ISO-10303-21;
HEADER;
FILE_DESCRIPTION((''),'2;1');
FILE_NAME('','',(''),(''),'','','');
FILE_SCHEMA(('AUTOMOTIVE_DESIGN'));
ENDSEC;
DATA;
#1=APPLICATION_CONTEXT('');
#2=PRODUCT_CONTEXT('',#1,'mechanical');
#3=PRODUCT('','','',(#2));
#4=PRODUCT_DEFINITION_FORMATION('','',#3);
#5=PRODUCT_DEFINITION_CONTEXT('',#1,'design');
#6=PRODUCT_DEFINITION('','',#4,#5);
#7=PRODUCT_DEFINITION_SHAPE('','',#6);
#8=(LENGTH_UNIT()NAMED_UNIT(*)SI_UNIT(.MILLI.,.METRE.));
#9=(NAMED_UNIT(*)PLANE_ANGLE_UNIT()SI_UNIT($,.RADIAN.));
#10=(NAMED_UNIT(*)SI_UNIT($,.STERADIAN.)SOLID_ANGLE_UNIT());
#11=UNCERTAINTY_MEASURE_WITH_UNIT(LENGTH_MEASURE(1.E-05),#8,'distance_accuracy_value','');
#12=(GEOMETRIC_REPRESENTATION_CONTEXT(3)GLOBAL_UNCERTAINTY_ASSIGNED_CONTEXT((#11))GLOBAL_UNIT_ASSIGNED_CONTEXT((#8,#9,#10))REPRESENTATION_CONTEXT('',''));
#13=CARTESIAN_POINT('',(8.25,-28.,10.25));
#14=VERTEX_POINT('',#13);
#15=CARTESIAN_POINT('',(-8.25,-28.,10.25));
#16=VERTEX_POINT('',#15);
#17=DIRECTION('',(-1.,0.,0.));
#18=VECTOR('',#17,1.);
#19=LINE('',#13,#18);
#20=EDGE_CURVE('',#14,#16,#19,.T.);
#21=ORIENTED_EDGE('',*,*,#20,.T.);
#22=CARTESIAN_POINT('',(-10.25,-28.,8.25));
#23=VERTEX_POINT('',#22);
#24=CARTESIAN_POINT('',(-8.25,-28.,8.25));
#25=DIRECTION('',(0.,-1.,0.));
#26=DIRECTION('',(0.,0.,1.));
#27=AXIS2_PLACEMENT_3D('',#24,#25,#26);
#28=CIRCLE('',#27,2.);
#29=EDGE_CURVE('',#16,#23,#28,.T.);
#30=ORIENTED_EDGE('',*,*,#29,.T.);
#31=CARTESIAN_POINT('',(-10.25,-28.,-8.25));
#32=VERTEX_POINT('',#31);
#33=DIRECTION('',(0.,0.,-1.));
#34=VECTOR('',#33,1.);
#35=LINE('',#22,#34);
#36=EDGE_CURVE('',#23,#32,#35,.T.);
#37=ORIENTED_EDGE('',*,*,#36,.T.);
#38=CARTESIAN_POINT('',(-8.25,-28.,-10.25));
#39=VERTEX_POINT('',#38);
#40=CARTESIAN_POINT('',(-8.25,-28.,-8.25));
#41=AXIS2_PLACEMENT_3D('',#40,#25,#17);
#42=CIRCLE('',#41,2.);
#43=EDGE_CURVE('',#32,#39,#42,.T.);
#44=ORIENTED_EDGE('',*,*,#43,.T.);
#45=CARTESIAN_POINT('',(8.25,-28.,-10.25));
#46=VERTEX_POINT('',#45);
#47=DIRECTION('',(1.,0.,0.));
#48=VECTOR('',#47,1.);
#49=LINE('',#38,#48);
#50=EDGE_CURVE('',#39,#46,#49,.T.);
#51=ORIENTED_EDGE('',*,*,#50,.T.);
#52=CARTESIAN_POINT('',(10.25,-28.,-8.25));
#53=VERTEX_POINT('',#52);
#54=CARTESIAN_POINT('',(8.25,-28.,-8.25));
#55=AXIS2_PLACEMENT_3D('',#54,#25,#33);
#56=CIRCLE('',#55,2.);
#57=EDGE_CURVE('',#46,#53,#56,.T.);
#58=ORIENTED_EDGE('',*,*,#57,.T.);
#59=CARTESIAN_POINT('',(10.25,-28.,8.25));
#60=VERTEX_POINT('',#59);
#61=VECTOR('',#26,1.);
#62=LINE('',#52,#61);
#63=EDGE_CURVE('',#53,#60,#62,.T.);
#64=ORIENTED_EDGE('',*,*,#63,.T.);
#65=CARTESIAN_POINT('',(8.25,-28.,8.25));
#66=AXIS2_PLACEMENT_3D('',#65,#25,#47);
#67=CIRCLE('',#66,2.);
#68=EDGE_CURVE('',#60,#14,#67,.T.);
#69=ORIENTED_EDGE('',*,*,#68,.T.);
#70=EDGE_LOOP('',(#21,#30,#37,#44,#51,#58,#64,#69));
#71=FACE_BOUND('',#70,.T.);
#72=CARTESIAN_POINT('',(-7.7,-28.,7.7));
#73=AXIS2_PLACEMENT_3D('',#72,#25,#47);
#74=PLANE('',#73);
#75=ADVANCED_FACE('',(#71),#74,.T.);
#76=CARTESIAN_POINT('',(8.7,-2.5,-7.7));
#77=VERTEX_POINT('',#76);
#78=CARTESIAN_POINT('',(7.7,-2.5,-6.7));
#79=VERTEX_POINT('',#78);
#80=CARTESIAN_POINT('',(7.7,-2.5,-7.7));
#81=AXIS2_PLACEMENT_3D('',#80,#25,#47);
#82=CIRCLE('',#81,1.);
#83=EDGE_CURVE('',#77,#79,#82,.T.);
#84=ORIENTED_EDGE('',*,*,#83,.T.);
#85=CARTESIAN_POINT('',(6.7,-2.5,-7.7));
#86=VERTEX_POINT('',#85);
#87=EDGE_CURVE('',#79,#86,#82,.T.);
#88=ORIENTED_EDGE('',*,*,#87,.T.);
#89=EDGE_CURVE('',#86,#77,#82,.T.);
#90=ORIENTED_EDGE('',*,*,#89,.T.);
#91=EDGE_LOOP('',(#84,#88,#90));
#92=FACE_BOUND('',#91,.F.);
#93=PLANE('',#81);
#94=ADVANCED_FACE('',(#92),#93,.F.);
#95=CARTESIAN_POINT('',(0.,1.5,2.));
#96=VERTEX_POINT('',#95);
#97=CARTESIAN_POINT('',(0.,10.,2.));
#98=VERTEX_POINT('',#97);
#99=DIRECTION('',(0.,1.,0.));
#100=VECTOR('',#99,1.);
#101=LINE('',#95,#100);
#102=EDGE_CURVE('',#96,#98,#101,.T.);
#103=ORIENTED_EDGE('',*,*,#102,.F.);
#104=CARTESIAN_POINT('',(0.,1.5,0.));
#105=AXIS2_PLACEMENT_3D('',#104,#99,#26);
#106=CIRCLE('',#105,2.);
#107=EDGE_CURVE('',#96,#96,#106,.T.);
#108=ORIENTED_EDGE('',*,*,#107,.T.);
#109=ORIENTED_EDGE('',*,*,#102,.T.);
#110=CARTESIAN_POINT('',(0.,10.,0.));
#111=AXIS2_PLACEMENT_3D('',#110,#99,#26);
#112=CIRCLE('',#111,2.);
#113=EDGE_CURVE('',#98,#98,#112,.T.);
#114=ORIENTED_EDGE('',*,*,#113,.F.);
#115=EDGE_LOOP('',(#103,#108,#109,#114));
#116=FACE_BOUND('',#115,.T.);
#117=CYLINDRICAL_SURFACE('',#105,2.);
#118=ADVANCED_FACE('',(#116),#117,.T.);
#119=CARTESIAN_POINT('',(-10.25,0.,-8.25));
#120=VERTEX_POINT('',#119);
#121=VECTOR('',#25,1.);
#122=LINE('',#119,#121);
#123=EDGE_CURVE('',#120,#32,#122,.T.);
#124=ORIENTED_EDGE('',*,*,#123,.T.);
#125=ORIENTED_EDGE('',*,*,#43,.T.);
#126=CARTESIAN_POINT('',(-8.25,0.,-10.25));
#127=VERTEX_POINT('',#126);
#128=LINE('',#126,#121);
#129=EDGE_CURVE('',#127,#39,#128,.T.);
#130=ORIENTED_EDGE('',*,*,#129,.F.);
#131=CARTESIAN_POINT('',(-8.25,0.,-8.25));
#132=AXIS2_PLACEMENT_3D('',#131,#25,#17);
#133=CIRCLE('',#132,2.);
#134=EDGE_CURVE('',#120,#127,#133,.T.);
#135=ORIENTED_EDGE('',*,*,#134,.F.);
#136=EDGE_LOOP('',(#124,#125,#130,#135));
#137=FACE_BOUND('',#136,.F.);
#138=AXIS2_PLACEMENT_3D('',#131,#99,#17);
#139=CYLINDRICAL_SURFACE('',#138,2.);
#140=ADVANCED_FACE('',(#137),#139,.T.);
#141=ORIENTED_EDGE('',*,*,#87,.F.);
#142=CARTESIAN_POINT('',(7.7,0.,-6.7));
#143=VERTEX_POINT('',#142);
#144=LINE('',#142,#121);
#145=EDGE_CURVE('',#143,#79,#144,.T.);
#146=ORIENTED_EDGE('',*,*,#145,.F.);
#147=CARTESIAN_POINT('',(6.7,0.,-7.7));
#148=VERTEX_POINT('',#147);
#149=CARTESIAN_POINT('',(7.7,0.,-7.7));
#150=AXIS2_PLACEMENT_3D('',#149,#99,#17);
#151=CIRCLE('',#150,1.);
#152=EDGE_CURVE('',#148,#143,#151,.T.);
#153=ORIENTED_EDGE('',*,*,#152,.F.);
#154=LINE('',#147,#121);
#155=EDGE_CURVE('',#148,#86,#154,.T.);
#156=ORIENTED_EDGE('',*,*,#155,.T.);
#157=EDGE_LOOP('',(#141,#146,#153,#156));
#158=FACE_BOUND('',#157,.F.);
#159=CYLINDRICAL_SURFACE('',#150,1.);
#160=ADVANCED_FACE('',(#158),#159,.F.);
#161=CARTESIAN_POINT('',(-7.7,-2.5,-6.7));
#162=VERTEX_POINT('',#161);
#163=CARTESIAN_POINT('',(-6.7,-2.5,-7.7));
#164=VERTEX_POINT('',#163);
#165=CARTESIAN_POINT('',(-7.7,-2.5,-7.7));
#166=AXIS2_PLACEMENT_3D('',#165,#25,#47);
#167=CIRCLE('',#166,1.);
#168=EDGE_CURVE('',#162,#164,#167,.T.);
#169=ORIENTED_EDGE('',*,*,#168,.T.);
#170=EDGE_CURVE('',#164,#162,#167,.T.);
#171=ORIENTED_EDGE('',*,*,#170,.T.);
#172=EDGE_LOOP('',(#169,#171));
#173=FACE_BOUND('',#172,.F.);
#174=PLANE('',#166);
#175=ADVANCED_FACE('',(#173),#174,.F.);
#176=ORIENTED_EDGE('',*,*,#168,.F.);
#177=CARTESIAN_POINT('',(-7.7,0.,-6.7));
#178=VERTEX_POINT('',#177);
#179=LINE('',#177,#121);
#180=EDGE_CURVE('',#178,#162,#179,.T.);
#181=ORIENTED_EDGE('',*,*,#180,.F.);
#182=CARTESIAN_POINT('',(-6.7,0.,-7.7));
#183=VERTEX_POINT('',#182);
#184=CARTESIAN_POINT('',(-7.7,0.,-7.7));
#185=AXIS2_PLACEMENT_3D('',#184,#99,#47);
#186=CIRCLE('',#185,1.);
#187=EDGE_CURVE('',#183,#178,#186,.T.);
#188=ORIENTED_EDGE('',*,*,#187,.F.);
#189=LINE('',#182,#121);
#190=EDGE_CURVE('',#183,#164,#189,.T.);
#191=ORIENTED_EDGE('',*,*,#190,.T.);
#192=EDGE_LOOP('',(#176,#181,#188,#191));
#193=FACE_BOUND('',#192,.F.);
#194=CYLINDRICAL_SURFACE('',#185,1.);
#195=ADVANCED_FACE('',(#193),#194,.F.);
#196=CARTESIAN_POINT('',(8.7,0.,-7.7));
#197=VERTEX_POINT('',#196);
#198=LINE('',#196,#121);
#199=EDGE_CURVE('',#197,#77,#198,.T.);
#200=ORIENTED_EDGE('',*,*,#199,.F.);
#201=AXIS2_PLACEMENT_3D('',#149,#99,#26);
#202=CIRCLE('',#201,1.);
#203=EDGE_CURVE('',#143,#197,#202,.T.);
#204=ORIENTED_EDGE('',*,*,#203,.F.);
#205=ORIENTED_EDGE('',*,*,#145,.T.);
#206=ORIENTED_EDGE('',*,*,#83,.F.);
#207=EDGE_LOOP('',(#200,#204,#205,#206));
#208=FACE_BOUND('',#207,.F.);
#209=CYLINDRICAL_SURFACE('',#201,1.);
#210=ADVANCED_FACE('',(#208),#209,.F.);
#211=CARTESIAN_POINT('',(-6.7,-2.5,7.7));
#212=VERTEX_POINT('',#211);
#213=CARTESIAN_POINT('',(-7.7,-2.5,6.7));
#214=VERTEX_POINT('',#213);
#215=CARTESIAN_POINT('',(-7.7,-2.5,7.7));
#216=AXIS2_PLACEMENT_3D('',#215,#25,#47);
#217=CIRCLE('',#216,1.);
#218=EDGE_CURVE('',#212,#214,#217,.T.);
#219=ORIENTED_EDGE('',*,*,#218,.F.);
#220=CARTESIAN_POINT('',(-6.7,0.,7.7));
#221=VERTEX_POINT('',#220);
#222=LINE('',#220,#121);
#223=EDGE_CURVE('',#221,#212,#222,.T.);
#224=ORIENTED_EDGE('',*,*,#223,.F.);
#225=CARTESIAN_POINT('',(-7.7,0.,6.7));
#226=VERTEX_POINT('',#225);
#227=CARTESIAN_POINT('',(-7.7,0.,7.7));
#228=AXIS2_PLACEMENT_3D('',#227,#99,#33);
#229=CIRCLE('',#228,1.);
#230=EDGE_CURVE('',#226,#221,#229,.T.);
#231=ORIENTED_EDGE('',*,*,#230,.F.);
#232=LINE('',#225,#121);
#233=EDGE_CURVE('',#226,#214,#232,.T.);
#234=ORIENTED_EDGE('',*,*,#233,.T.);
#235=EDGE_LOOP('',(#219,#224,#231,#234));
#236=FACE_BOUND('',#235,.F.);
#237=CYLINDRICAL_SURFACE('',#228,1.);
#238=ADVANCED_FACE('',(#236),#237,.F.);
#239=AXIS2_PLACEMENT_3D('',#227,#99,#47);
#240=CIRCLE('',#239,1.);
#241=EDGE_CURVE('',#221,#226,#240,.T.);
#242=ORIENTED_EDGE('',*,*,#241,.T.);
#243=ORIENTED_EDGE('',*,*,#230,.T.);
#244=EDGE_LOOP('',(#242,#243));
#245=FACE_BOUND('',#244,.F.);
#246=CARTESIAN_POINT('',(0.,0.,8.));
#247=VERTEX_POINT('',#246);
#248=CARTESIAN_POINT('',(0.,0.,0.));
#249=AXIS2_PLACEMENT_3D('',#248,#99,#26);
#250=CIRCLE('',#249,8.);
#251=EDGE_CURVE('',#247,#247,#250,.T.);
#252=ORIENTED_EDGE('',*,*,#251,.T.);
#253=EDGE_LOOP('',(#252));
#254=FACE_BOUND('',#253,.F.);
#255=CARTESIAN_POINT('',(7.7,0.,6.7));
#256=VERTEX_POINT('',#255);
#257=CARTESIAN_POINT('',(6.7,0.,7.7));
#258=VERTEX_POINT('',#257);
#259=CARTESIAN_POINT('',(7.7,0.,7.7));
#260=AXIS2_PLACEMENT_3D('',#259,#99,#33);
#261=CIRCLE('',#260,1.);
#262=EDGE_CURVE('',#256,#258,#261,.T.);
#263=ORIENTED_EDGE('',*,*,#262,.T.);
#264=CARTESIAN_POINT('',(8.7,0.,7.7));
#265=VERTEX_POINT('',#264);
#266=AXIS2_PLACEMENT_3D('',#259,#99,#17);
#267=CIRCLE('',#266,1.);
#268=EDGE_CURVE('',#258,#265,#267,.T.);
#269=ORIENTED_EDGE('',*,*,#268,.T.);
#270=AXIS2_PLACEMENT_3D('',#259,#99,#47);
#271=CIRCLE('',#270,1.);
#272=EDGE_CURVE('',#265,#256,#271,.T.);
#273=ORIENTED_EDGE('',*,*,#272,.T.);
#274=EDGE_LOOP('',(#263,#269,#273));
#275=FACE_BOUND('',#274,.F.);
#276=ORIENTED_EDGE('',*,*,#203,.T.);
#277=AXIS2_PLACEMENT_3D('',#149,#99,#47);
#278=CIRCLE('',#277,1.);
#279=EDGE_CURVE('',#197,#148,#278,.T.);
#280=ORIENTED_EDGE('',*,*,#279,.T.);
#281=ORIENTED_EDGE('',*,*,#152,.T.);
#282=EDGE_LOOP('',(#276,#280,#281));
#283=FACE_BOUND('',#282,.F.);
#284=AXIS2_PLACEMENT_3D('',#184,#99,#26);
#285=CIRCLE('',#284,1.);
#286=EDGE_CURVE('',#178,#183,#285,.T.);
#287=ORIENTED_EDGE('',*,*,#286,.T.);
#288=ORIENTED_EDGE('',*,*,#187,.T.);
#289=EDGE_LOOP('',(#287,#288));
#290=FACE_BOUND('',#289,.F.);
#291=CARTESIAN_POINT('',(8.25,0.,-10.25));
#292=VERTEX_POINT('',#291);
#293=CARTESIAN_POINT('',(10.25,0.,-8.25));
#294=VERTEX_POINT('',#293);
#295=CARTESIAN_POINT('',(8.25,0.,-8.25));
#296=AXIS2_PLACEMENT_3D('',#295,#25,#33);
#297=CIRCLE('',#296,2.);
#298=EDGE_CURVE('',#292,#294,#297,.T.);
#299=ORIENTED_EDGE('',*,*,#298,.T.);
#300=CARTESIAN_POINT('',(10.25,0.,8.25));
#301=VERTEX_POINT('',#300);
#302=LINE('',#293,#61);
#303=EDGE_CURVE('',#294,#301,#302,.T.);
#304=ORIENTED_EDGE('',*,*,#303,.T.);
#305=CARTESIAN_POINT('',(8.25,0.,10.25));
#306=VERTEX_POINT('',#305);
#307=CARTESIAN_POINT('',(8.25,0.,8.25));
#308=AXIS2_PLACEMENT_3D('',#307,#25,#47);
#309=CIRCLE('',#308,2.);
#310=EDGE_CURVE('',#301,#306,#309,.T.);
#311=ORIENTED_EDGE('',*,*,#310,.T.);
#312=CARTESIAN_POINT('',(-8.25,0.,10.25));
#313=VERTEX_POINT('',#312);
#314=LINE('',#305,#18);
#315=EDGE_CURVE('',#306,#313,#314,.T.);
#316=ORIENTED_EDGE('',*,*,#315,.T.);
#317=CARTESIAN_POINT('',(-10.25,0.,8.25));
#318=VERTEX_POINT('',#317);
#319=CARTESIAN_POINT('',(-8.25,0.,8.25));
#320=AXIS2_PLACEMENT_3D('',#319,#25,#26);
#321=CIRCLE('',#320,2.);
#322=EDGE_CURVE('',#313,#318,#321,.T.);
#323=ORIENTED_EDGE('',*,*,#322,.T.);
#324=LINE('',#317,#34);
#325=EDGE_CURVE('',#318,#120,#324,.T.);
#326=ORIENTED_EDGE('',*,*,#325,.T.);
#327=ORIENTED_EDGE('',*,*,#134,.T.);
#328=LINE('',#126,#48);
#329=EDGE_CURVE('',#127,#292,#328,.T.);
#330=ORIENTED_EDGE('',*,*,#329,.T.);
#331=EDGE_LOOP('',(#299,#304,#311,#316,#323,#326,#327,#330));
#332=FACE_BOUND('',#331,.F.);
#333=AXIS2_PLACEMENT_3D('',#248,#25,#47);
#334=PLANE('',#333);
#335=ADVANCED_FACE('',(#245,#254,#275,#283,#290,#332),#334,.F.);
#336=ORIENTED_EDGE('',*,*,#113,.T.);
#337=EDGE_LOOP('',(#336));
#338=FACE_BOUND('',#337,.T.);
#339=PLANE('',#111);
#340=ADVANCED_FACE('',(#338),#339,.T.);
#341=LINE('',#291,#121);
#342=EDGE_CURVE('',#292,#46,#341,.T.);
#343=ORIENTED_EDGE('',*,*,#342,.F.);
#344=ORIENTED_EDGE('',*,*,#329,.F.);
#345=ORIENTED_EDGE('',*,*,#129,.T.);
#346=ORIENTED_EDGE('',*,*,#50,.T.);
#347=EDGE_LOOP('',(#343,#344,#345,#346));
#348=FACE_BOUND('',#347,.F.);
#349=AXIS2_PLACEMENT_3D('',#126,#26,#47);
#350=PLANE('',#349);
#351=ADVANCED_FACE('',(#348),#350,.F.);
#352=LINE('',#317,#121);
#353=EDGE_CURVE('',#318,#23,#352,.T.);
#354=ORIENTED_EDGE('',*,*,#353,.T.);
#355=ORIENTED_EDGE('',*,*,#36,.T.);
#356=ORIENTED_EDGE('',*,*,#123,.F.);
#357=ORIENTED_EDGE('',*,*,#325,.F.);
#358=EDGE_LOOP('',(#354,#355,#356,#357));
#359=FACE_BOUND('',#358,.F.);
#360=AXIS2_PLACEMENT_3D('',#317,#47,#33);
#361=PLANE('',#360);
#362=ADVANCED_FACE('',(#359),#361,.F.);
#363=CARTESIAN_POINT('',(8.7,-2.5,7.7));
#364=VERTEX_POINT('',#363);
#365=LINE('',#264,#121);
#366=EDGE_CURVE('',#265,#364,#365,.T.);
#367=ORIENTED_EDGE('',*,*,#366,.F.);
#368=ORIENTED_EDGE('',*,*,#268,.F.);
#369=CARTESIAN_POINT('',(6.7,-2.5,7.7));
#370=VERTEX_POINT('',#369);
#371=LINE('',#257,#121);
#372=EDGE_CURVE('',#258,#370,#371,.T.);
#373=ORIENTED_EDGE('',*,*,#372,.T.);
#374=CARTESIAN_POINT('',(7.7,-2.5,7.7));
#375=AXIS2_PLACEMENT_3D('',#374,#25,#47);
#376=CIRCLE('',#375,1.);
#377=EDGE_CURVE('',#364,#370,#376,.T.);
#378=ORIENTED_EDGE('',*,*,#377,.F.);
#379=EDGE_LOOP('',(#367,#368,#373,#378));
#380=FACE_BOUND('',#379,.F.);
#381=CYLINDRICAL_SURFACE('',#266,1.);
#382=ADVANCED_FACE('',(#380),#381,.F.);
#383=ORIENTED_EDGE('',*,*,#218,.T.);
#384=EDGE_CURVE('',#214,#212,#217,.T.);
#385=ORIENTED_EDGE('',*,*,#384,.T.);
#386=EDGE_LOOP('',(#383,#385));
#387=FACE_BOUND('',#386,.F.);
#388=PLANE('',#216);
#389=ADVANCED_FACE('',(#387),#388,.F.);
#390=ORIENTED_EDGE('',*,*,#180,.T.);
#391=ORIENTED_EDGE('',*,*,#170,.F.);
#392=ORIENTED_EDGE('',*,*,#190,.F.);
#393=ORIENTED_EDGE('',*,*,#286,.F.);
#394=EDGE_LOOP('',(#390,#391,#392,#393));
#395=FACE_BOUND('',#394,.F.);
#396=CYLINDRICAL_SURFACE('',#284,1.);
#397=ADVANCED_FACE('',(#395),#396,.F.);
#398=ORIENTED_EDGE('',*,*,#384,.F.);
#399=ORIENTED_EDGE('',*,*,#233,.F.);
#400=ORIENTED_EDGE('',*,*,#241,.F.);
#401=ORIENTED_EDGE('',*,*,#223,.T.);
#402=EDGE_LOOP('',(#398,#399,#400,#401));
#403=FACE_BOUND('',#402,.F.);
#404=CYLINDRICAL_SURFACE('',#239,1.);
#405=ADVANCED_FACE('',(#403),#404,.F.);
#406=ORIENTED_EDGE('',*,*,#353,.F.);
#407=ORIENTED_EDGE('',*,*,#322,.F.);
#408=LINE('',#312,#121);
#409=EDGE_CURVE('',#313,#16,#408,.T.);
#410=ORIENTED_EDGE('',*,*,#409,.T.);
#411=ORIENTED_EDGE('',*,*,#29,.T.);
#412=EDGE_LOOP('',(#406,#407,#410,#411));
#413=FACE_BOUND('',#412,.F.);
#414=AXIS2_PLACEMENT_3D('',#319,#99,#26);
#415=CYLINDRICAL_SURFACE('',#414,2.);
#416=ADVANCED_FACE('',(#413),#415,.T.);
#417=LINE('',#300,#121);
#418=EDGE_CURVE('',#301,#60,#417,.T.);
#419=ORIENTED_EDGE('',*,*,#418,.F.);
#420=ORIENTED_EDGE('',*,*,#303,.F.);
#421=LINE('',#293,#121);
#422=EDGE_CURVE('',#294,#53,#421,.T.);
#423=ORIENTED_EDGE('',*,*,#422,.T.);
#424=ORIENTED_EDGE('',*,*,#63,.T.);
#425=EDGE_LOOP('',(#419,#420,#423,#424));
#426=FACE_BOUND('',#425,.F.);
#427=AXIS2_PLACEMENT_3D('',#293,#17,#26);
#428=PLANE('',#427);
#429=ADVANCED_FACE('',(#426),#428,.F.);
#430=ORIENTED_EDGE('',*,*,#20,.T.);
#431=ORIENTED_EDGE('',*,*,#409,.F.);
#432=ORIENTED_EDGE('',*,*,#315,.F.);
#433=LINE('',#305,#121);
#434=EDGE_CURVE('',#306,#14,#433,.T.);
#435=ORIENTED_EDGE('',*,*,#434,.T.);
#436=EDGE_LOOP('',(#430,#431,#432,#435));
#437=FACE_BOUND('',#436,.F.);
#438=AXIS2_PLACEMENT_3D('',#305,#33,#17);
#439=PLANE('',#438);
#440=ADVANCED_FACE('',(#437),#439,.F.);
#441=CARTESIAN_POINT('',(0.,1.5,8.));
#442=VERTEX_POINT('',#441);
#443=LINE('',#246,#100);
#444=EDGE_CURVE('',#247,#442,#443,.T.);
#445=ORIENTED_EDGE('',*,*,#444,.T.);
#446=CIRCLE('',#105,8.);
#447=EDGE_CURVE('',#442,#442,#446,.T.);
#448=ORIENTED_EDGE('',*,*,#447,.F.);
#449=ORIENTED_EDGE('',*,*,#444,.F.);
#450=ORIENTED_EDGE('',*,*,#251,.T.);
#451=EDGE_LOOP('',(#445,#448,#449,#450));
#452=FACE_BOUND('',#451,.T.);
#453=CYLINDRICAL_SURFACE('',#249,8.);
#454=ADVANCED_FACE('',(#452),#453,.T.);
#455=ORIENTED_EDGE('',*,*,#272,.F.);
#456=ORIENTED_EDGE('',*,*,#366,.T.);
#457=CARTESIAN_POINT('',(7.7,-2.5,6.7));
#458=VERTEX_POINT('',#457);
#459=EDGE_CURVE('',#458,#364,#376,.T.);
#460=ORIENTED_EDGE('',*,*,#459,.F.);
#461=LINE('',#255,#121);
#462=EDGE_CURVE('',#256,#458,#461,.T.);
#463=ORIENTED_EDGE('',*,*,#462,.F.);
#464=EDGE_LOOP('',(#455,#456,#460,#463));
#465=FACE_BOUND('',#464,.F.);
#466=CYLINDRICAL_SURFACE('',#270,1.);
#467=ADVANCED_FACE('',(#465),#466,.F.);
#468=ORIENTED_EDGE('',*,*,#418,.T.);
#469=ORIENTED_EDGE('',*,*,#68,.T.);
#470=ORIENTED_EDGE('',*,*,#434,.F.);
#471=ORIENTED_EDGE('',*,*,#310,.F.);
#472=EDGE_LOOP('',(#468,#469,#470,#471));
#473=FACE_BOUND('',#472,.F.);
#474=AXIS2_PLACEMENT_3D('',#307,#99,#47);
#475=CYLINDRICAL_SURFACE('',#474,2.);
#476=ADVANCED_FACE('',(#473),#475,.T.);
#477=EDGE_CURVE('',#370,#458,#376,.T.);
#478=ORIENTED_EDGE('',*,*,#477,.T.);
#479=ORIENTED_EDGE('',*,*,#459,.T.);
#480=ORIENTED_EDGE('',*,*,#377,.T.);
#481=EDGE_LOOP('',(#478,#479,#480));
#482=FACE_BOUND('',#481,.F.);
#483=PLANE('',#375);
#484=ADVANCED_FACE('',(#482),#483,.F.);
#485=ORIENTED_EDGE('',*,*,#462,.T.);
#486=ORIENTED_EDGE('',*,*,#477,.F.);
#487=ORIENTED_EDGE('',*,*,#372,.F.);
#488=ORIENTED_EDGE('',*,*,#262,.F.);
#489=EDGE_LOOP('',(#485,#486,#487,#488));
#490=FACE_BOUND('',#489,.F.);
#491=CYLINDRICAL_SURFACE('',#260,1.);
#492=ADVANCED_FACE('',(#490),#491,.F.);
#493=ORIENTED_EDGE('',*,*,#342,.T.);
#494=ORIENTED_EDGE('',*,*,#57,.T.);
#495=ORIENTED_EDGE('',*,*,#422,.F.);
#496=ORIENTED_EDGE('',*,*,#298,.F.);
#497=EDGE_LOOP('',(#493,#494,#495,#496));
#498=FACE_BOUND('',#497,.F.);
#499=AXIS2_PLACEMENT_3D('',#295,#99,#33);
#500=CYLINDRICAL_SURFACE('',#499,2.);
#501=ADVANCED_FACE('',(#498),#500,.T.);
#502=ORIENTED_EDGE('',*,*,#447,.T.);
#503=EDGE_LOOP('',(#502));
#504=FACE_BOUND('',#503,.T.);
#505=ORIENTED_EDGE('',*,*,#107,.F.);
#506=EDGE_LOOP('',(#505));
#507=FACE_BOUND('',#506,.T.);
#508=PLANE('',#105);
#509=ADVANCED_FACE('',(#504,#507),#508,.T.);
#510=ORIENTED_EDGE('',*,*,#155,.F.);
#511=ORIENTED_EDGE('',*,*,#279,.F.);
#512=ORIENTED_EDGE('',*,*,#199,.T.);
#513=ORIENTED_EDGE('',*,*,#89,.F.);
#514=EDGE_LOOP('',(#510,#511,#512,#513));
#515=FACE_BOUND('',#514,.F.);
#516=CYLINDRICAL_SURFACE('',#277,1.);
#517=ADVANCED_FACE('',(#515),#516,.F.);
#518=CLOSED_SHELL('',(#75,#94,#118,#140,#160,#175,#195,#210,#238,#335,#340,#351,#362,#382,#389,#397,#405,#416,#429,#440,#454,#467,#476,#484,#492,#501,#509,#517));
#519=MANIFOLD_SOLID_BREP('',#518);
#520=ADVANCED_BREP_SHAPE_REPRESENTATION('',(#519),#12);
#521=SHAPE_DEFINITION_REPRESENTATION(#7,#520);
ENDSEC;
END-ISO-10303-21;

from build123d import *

# Parameters (mm, degrees)
F1_DEPTH = 28
F2_R     = 1
F3_DEPTH = 25.5


with BuildPart() as f1:
    # F0 (on Front) → F1 (new body)
    with BuildSketch(Plane.XZ):
        with BuildLine():
            Line((8.25, 10.25), (-8.25, 10.25))
            ThreePointArc((-8.25, 10.25), (-9.6642135624, 9.6642135624), (-10.25, 8.25))
            Line((-10.25, 8.25), (-10.25, -8.25))
            ThreePointArc((-10.25, -8.25), (-9.6642135624, -9.6642135624), (-8.25, -10.25))
            Line((-8.25, -10.25), (8.25, -10.25))
            ThreePointArc((8.25, -10.25), (9.6642135624, -9.6642135624), (10.25, -8.25))
            Line((10.25, -8.25), (10.25, 8.25))
            ThreePointArc((10.25, 8.25), (9.6642135624, 9.6642135624), (8.25, 10.25))
        make_face()
        with BuildLine():
            ThreePointArc((-7.7, 6.7), (-8.4071067812, 8.4071067812), (-6.7, 7.7))
            Line((-6.7, 7.7), (6.7, 7.7))
            ThreePointArc((6.7, 7.7), (7.7, 8.7), (8.7, 7.7))
            ThreePointArc((8.7, 7.7), (8.4071067812, 6.9928932188), (7.7, 6.7))
            Line((7.7, 6.7), (7.7, -6.7))
            ThreePointArc((7.7, -6.7), (8.4071067812, -6.9928932188), (8.7, -7.7))
            ThreePointArc((8.7, -7.7), (7.7, -8.7), (6.7, -7.7))
            Line((6.7, -7.7), (-6.7, -7.7))
            ThreePointArc((-6.7, -7.7), (-8.4071067812, -8.4071067812), (-7.7, -6.7))
            Line((-7.7, -6.7), (-7.7, 6.7))
        make_face(mode=Mode.SUBTRACT)
        with BuildLine():
            Line((6.7, 7.7), (-6.7, 7.7))
            ThreePointArc((-6.7, 7.7), (-6.9928932188, 6.9928932188), (-7.7, 6.7))
            Line((-7.7, 6.7), (-7.7, -6.7))
            ThreePointArc((-7.7, -6.7), (-6.9928932188, -6.9928932188), (-6.7, -7.7))
            Line((-6.7, -7.7), (6.7, -7.7))
            ThreePointArc((6.7, -7.7), (6.9928932188, -6.9928932188), (7.7, -6.7))
            Line((7.7, -6.7), (7.7, 6.7))
            ThreePointArc((7.7, 6.7), (6.9928932188, 6.9928932188), (6.7, 7.7))
        make_face()
    extrude(amount=F1_DEPTH)

    # F2 (on face) → F3 (join)
    with BuildSketch(Plane.XZ.offset(28)):
        with Locations((-7.7, 7.7)):
            Circle(F2_R)
        with Locations((7.7, 7.7)):
            Circle(F2_R)
        with Locations((7.7, -7.7)):
            Circle(F2_R)
        with Locations((-7.7, -7.7)):
            Circle(F2_R)
    extrude(amount=-F3_DEPTH)

    # F5 (on offset) → F6 (revolve)
    with BuildSketch(Plane(origin=(0, 0, 0), x_dir=(0, -1, 0), z_dir=(-1, 0, 0))):
        Polygon((-10, 0), (0, 0), (0, 8), (-1.5, 8), (-1.5, 2), (-10, 2), align=None)
    revolve(axis=Axis((0, 5, 0), (0, 1, 0)))


solid = f1.part
